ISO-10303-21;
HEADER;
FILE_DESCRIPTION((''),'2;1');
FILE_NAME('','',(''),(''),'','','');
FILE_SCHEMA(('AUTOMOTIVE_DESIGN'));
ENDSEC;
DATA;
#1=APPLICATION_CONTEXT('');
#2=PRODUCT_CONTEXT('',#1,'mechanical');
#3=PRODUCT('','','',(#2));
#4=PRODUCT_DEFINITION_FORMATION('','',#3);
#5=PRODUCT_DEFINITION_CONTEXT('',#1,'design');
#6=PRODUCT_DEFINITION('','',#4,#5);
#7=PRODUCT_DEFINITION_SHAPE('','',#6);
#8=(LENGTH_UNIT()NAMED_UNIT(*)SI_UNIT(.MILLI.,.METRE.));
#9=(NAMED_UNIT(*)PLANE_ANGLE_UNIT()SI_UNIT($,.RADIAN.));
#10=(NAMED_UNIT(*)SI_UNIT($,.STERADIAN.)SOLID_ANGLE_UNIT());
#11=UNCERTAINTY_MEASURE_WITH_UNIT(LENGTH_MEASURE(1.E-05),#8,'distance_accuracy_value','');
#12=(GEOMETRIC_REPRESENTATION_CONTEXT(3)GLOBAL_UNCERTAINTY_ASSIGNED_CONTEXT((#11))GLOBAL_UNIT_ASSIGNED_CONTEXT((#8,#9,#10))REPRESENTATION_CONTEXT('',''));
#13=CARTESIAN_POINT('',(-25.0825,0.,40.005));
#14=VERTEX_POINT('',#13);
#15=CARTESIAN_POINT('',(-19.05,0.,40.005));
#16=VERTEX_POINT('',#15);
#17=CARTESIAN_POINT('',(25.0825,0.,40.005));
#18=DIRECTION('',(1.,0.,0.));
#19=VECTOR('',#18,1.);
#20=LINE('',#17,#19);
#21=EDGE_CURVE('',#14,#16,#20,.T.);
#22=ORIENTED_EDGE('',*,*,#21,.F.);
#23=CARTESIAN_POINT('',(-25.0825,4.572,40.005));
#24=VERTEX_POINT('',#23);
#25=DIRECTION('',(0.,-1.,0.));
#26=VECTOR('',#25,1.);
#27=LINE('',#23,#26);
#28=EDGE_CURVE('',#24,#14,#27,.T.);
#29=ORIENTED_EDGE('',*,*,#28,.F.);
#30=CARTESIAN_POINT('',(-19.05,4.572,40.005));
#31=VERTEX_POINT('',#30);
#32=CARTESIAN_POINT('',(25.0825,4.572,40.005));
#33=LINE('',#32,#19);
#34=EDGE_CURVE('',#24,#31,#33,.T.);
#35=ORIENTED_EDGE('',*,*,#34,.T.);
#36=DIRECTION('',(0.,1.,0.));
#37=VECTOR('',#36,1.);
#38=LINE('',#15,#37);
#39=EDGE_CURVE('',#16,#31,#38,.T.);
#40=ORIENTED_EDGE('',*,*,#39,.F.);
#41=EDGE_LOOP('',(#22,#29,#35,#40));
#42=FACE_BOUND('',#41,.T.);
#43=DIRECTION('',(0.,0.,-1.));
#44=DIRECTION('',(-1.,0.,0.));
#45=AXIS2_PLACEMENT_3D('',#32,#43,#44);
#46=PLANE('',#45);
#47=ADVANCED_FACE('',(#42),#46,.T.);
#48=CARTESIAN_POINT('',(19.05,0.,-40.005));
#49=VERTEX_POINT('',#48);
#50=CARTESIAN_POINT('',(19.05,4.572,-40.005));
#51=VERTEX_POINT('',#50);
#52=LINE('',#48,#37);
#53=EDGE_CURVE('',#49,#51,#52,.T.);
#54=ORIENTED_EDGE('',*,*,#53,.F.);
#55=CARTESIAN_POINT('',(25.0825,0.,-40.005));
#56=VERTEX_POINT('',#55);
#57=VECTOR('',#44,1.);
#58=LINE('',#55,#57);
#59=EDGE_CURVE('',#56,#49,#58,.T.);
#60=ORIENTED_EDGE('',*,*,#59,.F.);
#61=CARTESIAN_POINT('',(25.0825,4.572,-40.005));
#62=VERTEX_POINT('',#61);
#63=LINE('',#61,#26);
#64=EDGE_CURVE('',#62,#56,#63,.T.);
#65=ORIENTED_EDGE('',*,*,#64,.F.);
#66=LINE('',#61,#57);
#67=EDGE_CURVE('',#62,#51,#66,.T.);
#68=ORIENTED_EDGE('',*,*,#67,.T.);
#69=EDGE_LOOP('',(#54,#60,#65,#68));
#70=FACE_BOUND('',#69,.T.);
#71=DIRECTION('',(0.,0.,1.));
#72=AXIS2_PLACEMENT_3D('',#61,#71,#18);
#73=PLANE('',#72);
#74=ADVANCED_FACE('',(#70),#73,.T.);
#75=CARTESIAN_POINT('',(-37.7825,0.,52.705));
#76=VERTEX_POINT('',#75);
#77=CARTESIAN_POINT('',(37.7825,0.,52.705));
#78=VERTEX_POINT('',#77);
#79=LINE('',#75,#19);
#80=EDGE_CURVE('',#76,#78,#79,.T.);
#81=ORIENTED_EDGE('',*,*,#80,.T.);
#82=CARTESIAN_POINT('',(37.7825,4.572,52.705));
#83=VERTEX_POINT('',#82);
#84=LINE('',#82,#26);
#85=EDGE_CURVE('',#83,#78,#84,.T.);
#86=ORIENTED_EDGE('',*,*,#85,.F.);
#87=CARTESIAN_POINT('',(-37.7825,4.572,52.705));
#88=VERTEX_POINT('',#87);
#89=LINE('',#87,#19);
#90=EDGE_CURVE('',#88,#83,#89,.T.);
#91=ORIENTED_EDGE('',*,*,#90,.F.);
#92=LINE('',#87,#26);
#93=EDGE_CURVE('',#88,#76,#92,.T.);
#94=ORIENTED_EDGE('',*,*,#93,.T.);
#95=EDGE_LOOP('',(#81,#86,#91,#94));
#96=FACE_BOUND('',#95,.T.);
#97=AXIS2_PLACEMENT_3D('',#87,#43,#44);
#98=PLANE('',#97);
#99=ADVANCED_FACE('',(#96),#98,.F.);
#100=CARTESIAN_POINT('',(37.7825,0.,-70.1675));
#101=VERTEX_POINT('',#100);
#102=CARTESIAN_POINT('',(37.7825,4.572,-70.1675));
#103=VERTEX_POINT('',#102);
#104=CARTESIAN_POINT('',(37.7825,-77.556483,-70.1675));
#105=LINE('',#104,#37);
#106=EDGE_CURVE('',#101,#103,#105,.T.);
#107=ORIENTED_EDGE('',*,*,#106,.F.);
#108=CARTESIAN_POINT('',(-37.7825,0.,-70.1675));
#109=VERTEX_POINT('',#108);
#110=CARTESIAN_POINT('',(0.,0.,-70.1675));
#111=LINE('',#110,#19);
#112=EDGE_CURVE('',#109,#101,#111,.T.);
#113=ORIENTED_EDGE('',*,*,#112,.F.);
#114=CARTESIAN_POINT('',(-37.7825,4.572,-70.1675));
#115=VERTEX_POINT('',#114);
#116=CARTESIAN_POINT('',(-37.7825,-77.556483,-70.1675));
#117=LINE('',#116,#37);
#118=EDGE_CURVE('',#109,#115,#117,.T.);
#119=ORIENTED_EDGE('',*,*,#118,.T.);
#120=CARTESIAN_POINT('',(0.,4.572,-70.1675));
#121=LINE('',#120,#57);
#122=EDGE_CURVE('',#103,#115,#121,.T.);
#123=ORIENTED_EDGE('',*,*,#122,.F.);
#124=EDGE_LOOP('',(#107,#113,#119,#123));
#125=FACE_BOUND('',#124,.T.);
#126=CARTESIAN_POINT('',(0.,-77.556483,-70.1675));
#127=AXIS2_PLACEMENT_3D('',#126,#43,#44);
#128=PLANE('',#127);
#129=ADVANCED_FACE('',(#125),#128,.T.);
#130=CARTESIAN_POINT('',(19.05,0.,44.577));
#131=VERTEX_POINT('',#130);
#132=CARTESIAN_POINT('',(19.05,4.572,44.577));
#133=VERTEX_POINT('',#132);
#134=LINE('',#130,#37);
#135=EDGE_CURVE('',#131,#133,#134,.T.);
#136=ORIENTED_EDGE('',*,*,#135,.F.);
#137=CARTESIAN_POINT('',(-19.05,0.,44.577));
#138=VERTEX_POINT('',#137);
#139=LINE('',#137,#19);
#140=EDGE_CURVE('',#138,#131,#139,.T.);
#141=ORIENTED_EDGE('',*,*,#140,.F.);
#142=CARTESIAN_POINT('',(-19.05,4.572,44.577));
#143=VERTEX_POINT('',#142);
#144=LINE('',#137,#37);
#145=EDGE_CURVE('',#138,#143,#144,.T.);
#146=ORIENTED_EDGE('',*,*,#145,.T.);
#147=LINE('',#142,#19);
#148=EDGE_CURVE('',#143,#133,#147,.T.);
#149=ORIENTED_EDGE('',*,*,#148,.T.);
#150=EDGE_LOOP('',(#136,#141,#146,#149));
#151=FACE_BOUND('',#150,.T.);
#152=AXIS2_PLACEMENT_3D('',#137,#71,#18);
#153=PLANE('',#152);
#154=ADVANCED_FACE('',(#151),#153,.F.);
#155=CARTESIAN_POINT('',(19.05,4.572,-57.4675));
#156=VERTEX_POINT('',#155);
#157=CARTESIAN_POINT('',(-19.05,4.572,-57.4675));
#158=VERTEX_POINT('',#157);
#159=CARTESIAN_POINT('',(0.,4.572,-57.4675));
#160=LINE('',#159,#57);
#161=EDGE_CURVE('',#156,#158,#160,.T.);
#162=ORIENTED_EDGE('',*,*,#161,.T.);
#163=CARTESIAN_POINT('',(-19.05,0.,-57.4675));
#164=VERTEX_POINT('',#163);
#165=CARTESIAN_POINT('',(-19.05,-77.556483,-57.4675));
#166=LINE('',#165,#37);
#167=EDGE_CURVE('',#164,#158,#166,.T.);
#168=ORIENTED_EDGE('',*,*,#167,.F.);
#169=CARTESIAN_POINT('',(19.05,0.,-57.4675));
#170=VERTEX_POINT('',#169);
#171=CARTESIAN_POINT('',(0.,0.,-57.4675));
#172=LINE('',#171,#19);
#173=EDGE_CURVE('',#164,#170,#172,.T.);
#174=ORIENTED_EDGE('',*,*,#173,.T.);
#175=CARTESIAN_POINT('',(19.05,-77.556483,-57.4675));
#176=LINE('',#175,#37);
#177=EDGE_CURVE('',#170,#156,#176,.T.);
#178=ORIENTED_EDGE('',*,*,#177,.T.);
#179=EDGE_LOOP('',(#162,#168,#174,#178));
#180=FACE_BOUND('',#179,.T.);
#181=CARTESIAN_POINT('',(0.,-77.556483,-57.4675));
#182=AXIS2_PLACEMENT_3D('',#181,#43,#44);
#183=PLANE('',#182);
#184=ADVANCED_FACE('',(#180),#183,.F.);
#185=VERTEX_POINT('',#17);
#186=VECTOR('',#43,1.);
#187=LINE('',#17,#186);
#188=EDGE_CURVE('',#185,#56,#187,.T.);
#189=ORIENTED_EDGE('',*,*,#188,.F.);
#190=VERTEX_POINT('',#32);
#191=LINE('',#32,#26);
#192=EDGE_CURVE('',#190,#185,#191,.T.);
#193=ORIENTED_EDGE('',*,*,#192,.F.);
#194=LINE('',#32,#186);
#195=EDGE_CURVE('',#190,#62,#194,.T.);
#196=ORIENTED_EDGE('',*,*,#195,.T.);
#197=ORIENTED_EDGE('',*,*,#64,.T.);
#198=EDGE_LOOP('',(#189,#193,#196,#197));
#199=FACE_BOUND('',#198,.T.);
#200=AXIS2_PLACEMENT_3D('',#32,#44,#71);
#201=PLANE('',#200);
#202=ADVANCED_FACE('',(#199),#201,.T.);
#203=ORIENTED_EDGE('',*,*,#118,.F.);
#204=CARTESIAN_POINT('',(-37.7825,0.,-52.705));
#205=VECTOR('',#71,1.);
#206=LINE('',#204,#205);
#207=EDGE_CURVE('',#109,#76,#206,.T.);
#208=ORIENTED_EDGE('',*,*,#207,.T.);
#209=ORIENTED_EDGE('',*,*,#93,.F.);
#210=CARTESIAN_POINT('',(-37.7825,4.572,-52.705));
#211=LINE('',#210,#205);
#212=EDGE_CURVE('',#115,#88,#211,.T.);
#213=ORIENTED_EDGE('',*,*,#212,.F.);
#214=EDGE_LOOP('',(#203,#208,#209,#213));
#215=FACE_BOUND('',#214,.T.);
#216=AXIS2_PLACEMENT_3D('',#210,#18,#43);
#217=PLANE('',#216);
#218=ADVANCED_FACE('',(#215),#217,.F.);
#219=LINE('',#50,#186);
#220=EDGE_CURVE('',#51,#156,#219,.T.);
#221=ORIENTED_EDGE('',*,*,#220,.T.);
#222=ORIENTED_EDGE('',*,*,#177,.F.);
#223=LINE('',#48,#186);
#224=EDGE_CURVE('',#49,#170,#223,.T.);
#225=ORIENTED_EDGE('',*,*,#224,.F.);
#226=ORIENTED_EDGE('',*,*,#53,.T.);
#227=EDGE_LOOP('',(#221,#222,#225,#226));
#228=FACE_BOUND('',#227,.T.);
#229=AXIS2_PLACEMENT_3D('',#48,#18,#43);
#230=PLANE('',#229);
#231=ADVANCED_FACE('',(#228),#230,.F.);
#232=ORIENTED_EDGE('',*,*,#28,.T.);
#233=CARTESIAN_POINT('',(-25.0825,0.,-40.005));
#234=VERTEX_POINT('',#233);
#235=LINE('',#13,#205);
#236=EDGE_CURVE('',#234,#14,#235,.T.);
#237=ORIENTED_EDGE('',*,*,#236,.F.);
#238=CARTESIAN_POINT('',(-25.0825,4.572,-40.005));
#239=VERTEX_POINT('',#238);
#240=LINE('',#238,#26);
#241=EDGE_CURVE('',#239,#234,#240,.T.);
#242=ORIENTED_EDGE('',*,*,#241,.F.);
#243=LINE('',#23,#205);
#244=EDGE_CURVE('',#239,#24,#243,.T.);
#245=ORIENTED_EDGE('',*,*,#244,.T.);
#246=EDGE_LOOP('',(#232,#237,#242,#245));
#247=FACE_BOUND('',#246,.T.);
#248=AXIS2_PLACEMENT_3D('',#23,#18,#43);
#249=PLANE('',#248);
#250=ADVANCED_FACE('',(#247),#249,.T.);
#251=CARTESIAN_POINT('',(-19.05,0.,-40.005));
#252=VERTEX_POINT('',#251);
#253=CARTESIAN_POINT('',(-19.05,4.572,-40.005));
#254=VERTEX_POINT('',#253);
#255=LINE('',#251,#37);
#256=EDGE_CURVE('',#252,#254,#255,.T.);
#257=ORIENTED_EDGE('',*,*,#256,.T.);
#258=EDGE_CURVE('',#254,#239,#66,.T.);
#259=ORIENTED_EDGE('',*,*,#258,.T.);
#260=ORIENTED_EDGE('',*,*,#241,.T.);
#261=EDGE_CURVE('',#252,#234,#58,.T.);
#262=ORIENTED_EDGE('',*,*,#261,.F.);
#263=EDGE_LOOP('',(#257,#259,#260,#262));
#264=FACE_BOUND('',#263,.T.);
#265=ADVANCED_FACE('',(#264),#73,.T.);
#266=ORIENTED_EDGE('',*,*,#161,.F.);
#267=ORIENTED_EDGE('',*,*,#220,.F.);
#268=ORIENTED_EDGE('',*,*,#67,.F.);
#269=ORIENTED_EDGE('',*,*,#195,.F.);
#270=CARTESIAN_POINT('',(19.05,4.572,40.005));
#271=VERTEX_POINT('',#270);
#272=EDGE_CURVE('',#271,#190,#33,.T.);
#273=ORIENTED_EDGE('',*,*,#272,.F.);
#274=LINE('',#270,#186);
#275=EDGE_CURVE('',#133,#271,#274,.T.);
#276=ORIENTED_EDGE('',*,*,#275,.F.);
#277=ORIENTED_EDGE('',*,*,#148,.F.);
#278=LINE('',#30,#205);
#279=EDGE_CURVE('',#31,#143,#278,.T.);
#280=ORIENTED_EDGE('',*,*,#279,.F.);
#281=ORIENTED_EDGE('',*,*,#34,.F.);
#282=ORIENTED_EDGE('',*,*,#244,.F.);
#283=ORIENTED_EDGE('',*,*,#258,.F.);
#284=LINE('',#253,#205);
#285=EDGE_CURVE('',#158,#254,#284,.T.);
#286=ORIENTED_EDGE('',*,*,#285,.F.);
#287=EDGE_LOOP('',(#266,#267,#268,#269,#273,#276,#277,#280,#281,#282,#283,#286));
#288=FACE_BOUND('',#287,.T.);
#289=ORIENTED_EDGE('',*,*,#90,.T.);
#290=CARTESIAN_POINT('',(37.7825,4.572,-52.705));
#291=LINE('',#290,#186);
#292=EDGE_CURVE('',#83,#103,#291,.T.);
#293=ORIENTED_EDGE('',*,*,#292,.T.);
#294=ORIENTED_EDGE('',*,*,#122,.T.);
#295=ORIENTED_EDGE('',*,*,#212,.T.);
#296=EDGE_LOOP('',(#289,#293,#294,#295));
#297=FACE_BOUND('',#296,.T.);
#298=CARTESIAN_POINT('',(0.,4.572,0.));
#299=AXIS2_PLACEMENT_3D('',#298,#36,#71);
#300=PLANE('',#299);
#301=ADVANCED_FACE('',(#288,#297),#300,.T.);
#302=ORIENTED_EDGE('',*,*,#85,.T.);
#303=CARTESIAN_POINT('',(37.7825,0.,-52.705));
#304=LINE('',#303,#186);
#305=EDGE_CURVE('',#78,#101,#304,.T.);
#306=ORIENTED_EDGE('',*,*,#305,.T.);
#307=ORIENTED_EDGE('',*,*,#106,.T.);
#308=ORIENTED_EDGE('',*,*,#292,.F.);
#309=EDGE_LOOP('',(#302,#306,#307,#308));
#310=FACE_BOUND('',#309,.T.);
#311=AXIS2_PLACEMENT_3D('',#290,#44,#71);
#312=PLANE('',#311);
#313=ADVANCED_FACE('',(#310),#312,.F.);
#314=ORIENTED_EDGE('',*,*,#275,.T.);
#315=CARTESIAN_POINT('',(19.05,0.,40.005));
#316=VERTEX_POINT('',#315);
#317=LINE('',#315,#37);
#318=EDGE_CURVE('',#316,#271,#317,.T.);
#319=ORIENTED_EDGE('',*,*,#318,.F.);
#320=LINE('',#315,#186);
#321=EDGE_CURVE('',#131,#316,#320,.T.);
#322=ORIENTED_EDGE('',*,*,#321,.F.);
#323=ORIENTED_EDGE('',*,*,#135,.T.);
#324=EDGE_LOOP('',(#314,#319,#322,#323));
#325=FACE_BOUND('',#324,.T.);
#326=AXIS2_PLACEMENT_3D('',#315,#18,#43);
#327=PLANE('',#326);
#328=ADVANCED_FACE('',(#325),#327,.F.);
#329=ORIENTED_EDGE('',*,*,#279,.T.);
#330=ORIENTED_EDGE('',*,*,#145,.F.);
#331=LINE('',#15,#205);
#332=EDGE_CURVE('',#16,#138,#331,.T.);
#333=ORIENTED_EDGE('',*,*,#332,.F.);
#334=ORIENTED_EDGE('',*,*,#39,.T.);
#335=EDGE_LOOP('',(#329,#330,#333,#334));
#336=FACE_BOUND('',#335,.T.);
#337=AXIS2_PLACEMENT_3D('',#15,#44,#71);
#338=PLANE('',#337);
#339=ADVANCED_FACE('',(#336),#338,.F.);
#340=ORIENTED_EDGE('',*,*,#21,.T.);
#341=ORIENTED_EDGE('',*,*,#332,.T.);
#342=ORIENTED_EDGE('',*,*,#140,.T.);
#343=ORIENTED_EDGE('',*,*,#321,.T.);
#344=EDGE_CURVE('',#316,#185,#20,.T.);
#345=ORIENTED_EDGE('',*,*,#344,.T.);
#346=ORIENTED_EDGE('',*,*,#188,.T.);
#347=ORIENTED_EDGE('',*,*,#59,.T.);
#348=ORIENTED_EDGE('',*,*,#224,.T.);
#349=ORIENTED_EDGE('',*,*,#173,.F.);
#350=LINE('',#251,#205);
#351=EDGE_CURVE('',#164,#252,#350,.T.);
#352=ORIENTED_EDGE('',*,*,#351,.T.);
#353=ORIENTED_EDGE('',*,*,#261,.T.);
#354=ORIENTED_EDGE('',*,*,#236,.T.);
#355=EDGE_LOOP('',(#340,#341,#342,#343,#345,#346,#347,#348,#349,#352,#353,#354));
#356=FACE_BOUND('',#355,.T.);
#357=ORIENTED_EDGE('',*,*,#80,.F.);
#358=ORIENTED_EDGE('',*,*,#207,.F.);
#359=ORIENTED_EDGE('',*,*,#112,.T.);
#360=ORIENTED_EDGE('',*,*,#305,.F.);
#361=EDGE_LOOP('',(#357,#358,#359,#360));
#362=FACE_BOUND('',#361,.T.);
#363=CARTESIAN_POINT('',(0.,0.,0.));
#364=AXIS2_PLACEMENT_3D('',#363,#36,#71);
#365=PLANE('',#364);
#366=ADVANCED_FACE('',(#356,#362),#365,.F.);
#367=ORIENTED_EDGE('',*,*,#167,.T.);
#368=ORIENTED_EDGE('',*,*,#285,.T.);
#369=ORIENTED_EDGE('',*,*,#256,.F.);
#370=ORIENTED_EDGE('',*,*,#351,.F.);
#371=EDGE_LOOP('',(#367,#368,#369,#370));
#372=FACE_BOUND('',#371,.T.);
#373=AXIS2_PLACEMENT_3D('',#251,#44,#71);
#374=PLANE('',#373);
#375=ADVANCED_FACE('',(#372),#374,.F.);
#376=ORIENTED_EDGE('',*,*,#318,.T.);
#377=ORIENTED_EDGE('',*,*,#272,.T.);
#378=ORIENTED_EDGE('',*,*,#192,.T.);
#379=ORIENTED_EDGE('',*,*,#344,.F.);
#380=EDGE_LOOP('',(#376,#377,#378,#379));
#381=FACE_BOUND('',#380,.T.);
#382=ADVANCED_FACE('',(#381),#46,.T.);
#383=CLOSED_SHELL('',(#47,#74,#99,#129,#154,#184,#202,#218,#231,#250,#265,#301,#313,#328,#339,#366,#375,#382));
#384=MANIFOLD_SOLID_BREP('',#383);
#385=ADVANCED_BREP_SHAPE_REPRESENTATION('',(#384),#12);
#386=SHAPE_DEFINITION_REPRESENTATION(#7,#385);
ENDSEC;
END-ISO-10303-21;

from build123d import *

# Parameters (mm, degrees)
SKETCH1_W           = 75.565
SKETCH1_H           = 105.41
SKETCH1_W_2         = 50.165
SKETCH1_H_2         = 80.01
BOSS_EXTRUDE1_DEPTH = 4.572
SKETCH2_W           = 38.1
SKETCH2_H           = 4.572
SKETCH2_H_2         = 8.128
CUT_EXTRUDE1_DEPTH  = 5.572
SKETCH3_W           = 38.1
SKETCH3_H           = 4.572
CUT_EXTRUDE2_DEPTH  = 5.572
SKETCH4_W           = 18.7325
SKETCH4_H           = 4.7625
BOSS_EXTRUDE2_DEPTH = 4.572


with BuildPart() as part:
    # Sketch1 → Boss-Extrude1 (new body)
    with BuildSketch(Plane(origin=(0, 0, 0), x_dir=(1, 0, 0), z_dir=(0, 1, 0))):
        Rectangle(SKETCH1_W, SKETCH1_H)
        Rectangle(SKETCH1_W_2, SKETCH1_H_2, mode=Mode.SUBTRACT)
    extrude(amount=BOSS_EXTRUDE1_DEPTH)

    # Sketch2 → Cut-Extrude1 (cut, through all)
    with BuildSketch(Plane(origin=(0, 4.572, 0), x_dir=(1, 0, 0), z_dir=(0, 1, 0))):
        with Locations((0, -42.291)):
            Rectangle(SKETCH2_W, SKETCH2_H)
        with Locations((0, 44.069)):
            Rectangle(SKETCH2_W, SKETCH2_H_2)
    extrude(amount=-CUT_EXTRUDE1_DEPTH, mode=Mode.SUBTRACT)

    # Sketch3 → Cut-Extrude2 (cut, through all)
    with BuildSketch(Plane(origin=(0, 4.572, 0), x_dir=(1, 0, 0), z_dir=(0, 1, 0))):
        with Locations((0, 50.419)):
            Rectangle(SKETCH3_W, SKETCH3_H)
    extrude(amount=-CUT_EXTRUDE2_DEPTH, mode=Mode.SUBTRACT)

    # Sketch4 → Boss-Extrude2 (add)
    with BuildSketch(Plane(origin=(0, 4.572, 0), x_dir=(1, 0, 0), z_dir=(0, 1, 0))):
        Polygon((-37.7825, 57.4675), (-19.05, 57.4675), (19.05, 57.4675), (37.7825, 57.4675), (37.7825, 70.1675), (-37.7825, 70.1675), align=None)
        with Locations((-28.41625, 55.08625)):
            Rectangle(SKETCH4_W, SKETCH4_H)
        with Locations((28.41625, 55.08625)):
            Rectangle(SKETCH4_W, SKETCH4_H)
    extrude(amount=-BOSS_EXTRUDE2_DEPTH)


solid = part.part
